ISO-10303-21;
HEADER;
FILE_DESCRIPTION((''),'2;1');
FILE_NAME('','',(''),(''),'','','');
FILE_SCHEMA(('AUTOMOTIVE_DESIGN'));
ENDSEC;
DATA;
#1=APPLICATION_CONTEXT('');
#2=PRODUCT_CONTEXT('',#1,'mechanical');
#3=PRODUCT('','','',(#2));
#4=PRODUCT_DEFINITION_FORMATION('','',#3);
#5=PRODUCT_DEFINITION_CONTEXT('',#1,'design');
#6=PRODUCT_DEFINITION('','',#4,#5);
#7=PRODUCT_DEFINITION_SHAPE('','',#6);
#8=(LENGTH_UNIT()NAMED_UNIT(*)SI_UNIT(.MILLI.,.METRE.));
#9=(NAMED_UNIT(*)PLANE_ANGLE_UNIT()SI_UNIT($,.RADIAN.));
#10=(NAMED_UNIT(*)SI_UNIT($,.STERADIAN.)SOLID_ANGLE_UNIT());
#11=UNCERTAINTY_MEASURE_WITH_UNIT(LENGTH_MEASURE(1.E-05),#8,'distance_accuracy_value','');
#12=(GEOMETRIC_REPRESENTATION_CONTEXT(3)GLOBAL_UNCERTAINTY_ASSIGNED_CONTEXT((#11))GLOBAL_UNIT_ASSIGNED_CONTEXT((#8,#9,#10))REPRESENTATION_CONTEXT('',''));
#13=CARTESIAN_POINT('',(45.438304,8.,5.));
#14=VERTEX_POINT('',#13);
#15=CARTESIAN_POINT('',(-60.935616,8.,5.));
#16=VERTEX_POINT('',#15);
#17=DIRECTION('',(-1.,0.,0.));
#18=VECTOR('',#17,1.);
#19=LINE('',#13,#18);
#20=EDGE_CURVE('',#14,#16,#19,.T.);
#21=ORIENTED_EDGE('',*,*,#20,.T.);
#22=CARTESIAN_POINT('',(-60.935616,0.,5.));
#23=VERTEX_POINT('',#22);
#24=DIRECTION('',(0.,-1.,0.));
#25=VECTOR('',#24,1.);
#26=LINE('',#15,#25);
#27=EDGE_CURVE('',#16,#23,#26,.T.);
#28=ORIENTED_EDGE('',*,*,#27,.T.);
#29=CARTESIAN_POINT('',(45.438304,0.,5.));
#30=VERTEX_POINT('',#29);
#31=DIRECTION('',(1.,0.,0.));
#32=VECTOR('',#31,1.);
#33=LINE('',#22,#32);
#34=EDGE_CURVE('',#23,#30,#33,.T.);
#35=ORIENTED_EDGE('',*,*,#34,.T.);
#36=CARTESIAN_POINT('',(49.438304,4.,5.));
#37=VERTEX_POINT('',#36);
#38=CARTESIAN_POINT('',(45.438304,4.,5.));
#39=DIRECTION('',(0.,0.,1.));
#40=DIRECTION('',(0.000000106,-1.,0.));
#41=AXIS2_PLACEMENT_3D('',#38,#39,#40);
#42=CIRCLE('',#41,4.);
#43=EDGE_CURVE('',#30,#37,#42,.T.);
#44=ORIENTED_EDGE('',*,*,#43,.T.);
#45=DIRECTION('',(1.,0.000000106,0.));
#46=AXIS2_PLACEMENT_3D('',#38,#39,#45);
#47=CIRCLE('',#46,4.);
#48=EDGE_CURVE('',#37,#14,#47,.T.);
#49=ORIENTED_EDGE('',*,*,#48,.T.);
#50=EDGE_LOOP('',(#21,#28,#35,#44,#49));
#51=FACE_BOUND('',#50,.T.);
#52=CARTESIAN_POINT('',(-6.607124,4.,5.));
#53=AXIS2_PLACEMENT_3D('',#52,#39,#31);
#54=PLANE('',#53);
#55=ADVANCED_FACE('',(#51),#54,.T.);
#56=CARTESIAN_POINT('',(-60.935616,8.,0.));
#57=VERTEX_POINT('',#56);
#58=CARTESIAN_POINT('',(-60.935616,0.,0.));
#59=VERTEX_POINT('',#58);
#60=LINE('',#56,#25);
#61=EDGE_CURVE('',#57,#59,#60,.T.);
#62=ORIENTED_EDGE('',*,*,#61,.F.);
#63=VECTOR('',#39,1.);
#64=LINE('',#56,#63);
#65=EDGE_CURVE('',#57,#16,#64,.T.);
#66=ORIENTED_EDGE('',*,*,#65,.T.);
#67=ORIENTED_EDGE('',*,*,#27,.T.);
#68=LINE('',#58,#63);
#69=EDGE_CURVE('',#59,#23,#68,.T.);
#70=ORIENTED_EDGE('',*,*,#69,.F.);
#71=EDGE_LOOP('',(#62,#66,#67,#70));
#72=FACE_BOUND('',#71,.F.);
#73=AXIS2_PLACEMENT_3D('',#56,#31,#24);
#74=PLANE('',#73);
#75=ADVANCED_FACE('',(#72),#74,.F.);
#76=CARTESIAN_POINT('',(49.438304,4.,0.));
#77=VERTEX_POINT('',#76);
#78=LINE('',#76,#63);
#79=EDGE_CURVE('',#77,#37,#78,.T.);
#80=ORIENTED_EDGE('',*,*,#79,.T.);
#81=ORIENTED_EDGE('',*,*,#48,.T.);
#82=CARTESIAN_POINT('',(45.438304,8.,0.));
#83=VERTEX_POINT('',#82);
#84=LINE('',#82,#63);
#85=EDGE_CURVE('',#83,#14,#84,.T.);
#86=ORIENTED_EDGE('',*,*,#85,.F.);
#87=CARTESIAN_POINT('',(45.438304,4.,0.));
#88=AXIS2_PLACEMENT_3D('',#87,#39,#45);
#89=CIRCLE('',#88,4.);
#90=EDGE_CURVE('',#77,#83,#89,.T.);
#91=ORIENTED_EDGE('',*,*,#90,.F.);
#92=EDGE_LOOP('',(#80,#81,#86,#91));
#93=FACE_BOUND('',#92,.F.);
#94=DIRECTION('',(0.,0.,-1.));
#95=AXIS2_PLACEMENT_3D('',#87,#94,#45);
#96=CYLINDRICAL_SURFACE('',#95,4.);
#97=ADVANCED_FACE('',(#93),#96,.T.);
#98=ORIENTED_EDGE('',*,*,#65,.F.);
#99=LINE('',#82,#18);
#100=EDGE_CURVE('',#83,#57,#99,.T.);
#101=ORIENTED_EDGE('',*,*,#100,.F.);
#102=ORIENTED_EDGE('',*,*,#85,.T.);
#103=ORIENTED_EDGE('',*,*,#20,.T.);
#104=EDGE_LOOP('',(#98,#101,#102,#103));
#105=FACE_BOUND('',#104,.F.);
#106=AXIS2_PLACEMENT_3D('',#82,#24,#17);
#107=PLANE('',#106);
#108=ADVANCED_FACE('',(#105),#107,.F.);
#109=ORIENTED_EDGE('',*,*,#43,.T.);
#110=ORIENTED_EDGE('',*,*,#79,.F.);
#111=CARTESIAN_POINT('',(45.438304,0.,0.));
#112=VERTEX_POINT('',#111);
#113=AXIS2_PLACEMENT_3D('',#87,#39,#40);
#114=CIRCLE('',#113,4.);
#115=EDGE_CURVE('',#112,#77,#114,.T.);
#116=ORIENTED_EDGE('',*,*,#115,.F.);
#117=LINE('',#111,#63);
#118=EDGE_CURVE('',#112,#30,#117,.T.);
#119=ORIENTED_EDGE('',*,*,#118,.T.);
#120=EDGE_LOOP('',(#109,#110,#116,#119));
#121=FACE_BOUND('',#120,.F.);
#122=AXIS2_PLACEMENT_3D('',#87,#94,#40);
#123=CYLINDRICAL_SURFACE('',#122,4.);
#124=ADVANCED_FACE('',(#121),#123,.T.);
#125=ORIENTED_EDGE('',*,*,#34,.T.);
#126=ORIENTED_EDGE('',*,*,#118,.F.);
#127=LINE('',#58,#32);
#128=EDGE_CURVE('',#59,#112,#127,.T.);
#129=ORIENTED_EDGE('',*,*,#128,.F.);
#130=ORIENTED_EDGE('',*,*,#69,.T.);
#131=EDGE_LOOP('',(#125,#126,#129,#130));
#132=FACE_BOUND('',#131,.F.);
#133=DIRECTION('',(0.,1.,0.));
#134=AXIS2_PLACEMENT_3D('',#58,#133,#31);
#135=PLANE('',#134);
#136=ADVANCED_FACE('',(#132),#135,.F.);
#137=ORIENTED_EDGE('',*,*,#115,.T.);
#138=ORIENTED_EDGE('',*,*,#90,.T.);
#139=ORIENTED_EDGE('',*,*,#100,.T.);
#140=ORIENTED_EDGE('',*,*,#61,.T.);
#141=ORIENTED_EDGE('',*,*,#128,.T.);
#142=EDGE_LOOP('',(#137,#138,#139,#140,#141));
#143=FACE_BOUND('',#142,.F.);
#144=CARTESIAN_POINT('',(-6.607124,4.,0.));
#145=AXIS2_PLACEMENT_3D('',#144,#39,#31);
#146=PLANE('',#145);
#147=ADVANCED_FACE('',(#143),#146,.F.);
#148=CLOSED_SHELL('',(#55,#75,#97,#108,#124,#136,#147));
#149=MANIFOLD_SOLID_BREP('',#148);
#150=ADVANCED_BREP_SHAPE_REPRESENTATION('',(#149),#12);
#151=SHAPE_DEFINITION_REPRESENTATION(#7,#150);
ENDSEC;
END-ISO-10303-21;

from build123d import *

# Parameters (mm, degrees)
F1_DEPTH = 5


with BuildPart() as f1:
    # F0 (on Top) → F1 (new body)
    with BuildSketch(Plane.XY):
        with BuildLine():
            Line((-60.935616, 8), (-60.935616, 0))
            Line((-60.935616, 0), (45.438304, 0))
            ThreePointArc((45.438304, 0), (48.266731, 1.171573), (49.438304, 4))
            ThreePointArc((49.438304, 4), (48.266731, 6.828427), (45.438304, 8))
            Line((45.438304, 8), (-60.935616, 8))
        make_face()
    extrude(amount=F1_DEPTH)


solid = f1.part
